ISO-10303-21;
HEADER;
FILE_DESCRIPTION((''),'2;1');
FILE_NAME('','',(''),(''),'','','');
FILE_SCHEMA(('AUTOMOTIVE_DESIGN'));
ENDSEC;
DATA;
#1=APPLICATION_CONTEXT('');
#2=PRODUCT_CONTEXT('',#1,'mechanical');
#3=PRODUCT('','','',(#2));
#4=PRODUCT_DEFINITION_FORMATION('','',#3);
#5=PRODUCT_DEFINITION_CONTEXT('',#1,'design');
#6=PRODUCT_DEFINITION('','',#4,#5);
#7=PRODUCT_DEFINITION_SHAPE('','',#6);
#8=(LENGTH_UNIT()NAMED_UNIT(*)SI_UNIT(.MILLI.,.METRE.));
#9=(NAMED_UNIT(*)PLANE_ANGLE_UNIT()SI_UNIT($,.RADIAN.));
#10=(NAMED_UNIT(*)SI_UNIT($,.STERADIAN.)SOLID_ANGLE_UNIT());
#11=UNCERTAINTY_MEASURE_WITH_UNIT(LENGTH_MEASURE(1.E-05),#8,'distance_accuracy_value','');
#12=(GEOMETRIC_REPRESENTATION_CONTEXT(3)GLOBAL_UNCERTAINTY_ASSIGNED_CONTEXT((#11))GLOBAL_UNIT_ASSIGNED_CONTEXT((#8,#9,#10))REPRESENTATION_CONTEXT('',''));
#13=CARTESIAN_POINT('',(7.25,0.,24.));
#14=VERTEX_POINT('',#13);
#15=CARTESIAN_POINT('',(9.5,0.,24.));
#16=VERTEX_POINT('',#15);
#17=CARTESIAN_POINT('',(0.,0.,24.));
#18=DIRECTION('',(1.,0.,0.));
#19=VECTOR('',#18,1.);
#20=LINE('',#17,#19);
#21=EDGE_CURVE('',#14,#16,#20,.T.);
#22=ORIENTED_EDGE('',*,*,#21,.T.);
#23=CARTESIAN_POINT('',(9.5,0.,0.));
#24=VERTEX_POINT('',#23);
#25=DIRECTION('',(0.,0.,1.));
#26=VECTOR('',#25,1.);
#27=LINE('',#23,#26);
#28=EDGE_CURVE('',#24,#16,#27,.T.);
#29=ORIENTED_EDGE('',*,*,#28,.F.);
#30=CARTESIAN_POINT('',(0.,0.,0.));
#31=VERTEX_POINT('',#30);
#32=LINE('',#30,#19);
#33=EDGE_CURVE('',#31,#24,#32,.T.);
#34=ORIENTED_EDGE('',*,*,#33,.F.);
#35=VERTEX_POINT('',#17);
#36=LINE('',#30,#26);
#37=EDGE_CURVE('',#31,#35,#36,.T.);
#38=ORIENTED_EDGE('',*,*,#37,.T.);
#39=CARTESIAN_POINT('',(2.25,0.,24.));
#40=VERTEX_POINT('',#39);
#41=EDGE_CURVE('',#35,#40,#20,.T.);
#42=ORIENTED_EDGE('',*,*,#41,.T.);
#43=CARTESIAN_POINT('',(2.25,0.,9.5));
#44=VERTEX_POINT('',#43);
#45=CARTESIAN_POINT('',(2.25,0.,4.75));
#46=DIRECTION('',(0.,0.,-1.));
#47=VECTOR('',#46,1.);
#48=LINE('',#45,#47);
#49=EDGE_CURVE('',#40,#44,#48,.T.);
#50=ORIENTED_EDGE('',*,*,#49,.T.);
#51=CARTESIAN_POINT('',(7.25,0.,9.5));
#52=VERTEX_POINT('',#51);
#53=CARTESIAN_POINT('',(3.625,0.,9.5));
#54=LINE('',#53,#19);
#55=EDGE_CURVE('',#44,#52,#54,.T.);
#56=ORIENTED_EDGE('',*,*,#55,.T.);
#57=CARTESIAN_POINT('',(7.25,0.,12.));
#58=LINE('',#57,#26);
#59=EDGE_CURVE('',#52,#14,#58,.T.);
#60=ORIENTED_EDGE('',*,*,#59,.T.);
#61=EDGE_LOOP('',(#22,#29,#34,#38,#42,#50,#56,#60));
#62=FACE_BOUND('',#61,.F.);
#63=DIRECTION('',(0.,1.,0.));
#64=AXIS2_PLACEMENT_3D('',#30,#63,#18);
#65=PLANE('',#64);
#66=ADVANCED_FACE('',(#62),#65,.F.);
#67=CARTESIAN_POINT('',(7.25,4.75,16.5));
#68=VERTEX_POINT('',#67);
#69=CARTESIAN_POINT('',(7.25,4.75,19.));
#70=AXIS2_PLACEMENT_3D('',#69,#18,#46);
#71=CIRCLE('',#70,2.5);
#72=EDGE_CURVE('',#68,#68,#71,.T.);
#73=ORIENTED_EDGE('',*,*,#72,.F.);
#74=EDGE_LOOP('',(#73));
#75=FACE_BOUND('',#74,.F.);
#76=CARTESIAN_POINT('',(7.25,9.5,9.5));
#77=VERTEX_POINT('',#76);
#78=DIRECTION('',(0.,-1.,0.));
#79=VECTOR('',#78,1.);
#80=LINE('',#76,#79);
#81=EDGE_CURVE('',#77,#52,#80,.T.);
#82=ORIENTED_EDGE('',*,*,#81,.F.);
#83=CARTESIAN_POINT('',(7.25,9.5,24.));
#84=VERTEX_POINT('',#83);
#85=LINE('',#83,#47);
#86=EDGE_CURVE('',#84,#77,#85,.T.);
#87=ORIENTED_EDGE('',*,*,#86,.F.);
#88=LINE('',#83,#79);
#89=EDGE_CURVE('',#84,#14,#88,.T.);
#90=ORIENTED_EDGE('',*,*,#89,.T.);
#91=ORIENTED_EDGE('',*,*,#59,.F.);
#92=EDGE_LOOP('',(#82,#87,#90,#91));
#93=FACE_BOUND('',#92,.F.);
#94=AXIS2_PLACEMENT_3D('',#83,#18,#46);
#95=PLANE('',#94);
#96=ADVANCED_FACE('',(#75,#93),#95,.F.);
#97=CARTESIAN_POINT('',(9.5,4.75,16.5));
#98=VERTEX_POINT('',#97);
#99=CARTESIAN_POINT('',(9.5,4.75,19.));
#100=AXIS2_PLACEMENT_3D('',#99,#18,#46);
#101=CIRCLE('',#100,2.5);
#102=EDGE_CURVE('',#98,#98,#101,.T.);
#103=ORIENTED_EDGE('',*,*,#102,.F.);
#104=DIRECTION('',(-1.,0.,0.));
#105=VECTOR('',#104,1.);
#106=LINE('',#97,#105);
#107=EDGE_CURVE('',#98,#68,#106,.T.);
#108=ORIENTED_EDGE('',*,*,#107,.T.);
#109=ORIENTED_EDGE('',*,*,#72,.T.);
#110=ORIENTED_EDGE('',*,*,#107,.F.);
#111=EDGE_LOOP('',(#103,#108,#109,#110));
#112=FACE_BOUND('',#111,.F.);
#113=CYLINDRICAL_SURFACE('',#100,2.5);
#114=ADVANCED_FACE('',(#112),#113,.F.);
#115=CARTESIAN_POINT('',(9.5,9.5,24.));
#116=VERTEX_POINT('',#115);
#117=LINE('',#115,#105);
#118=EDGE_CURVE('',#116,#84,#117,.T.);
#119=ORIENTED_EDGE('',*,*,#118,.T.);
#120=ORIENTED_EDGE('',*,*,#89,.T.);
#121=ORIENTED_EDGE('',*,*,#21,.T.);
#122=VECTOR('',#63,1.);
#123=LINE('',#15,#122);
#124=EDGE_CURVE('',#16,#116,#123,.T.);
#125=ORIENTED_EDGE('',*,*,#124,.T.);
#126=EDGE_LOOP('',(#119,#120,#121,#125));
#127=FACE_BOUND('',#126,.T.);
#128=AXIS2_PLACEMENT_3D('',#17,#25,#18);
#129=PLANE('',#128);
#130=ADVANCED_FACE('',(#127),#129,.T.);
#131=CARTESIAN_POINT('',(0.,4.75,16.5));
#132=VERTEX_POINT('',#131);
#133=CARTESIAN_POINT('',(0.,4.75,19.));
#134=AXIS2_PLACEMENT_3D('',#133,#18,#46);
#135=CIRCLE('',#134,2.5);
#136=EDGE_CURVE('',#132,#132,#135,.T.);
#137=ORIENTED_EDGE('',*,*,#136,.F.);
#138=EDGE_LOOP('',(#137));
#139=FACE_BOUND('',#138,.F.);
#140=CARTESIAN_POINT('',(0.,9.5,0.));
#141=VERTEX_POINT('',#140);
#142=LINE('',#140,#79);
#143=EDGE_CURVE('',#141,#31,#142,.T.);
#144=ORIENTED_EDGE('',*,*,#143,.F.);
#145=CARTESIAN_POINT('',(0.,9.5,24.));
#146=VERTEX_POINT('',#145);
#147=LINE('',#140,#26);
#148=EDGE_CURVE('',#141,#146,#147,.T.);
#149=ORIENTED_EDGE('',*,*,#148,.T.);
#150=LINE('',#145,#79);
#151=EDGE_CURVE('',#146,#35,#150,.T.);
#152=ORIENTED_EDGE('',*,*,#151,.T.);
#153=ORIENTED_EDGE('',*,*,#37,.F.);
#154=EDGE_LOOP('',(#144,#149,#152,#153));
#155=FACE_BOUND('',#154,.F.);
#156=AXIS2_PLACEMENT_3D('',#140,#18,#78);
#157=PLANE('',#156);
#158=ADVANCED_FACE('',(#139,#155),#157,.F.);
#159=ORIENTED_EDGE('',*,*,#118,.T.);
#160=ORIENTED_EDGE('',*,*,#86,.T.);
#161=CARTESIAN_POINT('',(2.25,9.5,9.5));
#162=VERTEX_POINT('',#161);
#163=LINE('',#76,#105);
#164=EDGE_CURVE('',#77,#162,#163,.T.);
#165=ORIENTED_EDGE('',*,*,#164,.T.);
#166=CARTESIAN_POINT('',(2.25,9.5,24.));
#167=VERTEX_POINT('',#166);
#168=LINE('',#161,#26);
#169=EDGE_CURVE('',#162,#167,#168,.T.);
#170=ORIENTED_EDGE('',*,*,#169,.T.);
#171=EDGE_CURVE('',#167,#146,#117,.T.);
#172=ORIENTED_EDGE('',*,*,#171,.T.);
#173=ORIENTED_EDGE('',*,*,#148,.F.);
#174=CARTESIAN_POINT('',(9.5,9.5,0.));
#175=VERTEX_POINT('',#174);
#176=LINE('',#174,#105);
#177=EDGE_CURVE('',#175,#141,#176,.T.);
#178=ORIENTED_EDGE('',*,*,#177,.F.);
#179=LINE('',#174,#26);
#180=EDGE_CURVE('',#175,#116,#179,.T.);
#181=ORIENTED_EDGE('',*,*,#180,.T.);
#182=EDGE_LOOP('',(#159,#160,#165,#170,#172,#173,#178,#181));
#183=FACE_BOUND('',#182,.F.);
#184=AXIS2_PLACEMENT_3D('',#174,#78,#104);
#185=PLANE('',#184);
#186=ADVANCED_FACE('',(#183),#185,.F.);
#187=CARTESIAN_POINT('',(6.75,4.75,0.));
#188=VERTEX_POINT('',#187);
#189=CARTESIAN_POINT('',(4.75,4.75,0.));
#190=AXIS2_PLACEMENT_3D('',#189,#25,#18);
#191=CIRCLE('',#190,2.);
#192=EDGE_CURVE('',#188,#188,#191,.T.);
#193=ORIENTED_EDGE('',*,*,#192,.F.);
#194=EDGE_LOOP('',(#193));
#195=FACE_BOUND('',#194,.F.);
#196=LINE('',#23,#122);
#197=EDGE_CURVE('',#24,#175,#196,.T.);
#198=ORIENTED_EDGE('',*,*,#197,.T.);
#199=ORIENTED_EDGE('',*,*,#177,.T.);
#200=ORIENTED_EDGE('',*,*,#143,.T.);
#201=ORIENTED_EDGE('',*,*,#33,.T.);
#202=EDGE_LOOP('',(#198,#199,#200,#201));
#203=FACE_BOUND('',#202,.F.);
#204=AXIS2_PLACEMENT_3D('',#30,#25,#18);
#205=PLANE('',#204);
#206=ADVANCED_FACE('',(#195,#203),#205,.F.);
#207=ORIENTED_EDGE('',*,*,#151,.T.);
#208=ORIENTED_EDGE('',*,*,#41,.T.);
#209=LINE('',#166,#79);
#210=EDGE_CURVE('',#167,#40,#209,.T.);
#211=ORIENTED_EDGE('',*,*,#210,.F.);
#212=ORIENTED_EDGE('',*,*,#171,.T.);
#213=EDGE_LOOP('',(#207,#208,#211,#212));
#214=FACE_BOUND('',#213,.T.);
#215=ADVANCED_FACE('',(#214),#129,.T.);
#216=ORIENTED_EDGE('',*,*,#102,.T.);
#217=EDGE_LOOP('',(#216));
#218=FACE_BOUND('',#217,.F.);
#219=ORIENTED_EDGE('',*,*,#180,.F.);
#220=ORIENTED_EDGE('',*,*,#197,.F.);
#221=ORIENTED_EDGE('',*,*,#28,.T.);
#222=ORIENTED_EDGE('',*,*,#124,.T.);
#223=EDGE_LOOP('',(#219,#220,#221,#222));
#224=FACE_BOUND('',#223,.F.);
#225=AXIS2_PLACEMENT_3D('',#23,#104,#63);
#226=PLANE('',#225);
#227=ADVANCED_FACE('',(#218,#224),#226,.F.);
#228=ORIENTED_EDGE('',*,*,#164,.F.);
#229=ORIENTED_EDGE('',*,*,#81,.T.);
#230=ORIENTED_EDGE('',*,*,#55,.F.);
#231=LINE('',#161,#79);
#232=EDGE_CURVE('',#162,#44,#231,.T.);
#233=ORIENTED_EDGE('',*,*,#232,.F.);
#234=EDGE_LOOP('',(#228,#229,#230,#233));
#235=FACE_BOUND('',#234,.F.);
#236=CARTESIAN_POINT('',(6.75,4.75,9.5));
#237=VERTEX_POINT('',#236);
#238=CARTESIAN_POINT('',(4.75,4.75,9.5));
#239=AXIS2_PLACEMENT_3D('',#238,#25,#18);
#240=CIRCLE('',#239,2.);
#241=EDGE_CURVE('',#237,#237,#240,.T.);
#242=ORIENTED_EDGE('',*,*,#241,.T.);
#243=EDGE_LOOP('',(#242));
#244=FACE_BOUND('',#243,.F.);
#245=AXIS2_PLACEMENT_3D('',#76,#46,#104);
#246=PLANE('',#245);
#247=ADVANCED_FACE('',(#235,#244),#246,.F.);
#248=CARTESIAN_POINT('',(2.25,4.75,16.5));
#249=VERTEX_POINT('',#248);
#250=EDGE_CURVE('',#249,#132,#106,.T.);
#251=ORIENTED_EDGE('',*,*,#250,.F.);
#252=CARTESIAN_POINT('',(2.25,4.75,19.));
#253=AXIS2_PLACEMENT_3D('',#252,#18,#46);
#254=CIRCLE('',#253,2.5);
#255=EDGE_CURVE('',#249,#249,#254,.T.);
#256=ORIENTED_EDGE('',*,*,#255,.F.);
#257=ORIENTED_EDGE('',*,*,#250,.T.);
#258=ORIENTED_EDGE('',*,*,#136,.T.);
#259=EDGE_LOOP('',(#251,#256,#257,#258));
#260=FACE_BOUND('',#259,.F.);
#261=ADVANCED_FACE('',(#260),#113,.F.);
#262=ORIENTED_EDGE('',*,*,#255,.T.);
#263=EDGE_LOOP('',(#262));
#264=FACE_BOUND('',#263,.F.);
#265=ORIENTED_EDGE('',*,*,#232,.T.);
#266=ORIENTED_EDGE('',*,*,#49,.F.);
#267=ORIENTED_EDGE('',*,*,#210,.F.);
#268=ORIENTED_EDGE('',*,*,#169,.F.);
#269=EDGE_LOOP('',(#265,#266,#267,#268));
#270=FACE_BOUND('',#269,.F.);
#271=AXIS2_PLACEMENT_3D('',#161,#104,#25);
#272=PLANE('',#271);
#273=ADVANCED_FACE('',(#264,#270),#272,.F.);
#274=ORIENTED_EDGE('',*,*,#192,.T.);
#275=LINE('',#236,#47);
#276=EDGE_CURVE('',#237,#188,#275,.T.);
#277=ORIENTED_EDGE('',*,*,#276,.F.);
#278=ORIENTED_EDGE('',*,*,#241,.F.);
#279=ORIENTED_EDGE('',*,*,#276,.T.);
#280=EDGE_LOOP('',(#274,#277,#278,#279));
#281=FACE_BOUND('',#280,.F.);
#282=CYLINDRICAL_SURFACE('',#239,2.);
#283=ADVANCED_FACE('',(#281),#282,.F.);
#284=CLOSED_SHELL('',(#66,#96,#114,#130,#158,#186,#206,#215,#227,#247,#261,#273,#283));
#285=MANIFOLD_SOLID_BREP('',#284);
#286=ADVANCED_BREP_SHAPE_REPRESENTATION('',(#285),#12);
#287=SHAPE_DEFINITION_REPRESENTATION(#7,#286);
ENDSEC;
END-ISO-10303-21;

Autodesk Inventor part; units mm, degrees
ref_plane "YZ Plane" through (0, 0, 0) normal (1, 0, 0) x (0, 1, 0)
ref_plane "XZ Plane" through (0, 0, 0) normal (0, 1, 0) x (-1, 0, 0)
ref_plane "XY Plane" through (0, 0, 0) normal (0, 0, 1) x (1, 0, 0)
sketch "Sketch1" plane through (0, 0, 0) normal (0, 0, 1) x (1, 0, 0)
  line L0 (0, 0) -> (9.5, 0)
  line L1 (9.5, 0) -> (9.5, 9.5)
  line L2 (9.5, 9.5) -> (0, 9.5)
  line L3 (0, 9.5) -> (0, 0)
  dimension "d0" = 9.5
  dimension "d1" = 9.5
extrude "Extrusion1" add sketch "Sketch1" along normal blind 24
sketch "Sketch2" plane through (0, 9.5, 0) normal (0, 1, 0) x (1, 0, 0)
  line L0 (0, -24) -> (9.5, -24) projected
  line L1 (2.25, -24) -> (7.25, -24)
  line L2 (7.25, -24) -> (7.25, -9.5)
  line L3 (7.25, -9.5) -> (2.25, -9.5)
  line L4 (2.25, -9.5) -> (2.25, -24)
  line L5 (0, 0) -> (0, -24) projected
  dimension "d4" = 14.5
  dimension "d5" = 5
  dimension "d6" = 2.25
extrude "Extrusion2" cut sketch "Sketch2" against normal up to next
sketch "Sketch3" plane through (9.5, 0, 0) normal (1, 0, 0) x (0, 0, -1)
  circle A0 centre (-19, 4.75) radius 2.5
  line L0 (-24, 0) -> (-24, 9.5) projected
  line L1 (0, 9.5) -> (-24, 9.5) projected
  point P0 (0, 0)
  dimension "d9" = 5
  dimension "d10" = 5
  dimension "d11" = 4.75
extrude "Extrusion3" cut sketch "Sketch3" against normal through all
sketch "Sketch4" plane through (2.25, 9.5, 9.5) normal (0, 0, 1) x (1, 0, 0)
  circle A0 centre (2.5, -4.75) radius 2
  line L0 (0, 0) -> (5, 0) projected
  line L1 (0, -9.5) -> (0, 0) projected
  point P0 (-2.25, -9.5)
  dimension "d14" = 4
  dimension "d15" = 4.75
  dimension "d16" = 2.5
extrude "Extrusion4" cut sketch "Sketch4" against normal up to next
properties part number "piston_rod_connector" material "Steel, Non-Alloy"
